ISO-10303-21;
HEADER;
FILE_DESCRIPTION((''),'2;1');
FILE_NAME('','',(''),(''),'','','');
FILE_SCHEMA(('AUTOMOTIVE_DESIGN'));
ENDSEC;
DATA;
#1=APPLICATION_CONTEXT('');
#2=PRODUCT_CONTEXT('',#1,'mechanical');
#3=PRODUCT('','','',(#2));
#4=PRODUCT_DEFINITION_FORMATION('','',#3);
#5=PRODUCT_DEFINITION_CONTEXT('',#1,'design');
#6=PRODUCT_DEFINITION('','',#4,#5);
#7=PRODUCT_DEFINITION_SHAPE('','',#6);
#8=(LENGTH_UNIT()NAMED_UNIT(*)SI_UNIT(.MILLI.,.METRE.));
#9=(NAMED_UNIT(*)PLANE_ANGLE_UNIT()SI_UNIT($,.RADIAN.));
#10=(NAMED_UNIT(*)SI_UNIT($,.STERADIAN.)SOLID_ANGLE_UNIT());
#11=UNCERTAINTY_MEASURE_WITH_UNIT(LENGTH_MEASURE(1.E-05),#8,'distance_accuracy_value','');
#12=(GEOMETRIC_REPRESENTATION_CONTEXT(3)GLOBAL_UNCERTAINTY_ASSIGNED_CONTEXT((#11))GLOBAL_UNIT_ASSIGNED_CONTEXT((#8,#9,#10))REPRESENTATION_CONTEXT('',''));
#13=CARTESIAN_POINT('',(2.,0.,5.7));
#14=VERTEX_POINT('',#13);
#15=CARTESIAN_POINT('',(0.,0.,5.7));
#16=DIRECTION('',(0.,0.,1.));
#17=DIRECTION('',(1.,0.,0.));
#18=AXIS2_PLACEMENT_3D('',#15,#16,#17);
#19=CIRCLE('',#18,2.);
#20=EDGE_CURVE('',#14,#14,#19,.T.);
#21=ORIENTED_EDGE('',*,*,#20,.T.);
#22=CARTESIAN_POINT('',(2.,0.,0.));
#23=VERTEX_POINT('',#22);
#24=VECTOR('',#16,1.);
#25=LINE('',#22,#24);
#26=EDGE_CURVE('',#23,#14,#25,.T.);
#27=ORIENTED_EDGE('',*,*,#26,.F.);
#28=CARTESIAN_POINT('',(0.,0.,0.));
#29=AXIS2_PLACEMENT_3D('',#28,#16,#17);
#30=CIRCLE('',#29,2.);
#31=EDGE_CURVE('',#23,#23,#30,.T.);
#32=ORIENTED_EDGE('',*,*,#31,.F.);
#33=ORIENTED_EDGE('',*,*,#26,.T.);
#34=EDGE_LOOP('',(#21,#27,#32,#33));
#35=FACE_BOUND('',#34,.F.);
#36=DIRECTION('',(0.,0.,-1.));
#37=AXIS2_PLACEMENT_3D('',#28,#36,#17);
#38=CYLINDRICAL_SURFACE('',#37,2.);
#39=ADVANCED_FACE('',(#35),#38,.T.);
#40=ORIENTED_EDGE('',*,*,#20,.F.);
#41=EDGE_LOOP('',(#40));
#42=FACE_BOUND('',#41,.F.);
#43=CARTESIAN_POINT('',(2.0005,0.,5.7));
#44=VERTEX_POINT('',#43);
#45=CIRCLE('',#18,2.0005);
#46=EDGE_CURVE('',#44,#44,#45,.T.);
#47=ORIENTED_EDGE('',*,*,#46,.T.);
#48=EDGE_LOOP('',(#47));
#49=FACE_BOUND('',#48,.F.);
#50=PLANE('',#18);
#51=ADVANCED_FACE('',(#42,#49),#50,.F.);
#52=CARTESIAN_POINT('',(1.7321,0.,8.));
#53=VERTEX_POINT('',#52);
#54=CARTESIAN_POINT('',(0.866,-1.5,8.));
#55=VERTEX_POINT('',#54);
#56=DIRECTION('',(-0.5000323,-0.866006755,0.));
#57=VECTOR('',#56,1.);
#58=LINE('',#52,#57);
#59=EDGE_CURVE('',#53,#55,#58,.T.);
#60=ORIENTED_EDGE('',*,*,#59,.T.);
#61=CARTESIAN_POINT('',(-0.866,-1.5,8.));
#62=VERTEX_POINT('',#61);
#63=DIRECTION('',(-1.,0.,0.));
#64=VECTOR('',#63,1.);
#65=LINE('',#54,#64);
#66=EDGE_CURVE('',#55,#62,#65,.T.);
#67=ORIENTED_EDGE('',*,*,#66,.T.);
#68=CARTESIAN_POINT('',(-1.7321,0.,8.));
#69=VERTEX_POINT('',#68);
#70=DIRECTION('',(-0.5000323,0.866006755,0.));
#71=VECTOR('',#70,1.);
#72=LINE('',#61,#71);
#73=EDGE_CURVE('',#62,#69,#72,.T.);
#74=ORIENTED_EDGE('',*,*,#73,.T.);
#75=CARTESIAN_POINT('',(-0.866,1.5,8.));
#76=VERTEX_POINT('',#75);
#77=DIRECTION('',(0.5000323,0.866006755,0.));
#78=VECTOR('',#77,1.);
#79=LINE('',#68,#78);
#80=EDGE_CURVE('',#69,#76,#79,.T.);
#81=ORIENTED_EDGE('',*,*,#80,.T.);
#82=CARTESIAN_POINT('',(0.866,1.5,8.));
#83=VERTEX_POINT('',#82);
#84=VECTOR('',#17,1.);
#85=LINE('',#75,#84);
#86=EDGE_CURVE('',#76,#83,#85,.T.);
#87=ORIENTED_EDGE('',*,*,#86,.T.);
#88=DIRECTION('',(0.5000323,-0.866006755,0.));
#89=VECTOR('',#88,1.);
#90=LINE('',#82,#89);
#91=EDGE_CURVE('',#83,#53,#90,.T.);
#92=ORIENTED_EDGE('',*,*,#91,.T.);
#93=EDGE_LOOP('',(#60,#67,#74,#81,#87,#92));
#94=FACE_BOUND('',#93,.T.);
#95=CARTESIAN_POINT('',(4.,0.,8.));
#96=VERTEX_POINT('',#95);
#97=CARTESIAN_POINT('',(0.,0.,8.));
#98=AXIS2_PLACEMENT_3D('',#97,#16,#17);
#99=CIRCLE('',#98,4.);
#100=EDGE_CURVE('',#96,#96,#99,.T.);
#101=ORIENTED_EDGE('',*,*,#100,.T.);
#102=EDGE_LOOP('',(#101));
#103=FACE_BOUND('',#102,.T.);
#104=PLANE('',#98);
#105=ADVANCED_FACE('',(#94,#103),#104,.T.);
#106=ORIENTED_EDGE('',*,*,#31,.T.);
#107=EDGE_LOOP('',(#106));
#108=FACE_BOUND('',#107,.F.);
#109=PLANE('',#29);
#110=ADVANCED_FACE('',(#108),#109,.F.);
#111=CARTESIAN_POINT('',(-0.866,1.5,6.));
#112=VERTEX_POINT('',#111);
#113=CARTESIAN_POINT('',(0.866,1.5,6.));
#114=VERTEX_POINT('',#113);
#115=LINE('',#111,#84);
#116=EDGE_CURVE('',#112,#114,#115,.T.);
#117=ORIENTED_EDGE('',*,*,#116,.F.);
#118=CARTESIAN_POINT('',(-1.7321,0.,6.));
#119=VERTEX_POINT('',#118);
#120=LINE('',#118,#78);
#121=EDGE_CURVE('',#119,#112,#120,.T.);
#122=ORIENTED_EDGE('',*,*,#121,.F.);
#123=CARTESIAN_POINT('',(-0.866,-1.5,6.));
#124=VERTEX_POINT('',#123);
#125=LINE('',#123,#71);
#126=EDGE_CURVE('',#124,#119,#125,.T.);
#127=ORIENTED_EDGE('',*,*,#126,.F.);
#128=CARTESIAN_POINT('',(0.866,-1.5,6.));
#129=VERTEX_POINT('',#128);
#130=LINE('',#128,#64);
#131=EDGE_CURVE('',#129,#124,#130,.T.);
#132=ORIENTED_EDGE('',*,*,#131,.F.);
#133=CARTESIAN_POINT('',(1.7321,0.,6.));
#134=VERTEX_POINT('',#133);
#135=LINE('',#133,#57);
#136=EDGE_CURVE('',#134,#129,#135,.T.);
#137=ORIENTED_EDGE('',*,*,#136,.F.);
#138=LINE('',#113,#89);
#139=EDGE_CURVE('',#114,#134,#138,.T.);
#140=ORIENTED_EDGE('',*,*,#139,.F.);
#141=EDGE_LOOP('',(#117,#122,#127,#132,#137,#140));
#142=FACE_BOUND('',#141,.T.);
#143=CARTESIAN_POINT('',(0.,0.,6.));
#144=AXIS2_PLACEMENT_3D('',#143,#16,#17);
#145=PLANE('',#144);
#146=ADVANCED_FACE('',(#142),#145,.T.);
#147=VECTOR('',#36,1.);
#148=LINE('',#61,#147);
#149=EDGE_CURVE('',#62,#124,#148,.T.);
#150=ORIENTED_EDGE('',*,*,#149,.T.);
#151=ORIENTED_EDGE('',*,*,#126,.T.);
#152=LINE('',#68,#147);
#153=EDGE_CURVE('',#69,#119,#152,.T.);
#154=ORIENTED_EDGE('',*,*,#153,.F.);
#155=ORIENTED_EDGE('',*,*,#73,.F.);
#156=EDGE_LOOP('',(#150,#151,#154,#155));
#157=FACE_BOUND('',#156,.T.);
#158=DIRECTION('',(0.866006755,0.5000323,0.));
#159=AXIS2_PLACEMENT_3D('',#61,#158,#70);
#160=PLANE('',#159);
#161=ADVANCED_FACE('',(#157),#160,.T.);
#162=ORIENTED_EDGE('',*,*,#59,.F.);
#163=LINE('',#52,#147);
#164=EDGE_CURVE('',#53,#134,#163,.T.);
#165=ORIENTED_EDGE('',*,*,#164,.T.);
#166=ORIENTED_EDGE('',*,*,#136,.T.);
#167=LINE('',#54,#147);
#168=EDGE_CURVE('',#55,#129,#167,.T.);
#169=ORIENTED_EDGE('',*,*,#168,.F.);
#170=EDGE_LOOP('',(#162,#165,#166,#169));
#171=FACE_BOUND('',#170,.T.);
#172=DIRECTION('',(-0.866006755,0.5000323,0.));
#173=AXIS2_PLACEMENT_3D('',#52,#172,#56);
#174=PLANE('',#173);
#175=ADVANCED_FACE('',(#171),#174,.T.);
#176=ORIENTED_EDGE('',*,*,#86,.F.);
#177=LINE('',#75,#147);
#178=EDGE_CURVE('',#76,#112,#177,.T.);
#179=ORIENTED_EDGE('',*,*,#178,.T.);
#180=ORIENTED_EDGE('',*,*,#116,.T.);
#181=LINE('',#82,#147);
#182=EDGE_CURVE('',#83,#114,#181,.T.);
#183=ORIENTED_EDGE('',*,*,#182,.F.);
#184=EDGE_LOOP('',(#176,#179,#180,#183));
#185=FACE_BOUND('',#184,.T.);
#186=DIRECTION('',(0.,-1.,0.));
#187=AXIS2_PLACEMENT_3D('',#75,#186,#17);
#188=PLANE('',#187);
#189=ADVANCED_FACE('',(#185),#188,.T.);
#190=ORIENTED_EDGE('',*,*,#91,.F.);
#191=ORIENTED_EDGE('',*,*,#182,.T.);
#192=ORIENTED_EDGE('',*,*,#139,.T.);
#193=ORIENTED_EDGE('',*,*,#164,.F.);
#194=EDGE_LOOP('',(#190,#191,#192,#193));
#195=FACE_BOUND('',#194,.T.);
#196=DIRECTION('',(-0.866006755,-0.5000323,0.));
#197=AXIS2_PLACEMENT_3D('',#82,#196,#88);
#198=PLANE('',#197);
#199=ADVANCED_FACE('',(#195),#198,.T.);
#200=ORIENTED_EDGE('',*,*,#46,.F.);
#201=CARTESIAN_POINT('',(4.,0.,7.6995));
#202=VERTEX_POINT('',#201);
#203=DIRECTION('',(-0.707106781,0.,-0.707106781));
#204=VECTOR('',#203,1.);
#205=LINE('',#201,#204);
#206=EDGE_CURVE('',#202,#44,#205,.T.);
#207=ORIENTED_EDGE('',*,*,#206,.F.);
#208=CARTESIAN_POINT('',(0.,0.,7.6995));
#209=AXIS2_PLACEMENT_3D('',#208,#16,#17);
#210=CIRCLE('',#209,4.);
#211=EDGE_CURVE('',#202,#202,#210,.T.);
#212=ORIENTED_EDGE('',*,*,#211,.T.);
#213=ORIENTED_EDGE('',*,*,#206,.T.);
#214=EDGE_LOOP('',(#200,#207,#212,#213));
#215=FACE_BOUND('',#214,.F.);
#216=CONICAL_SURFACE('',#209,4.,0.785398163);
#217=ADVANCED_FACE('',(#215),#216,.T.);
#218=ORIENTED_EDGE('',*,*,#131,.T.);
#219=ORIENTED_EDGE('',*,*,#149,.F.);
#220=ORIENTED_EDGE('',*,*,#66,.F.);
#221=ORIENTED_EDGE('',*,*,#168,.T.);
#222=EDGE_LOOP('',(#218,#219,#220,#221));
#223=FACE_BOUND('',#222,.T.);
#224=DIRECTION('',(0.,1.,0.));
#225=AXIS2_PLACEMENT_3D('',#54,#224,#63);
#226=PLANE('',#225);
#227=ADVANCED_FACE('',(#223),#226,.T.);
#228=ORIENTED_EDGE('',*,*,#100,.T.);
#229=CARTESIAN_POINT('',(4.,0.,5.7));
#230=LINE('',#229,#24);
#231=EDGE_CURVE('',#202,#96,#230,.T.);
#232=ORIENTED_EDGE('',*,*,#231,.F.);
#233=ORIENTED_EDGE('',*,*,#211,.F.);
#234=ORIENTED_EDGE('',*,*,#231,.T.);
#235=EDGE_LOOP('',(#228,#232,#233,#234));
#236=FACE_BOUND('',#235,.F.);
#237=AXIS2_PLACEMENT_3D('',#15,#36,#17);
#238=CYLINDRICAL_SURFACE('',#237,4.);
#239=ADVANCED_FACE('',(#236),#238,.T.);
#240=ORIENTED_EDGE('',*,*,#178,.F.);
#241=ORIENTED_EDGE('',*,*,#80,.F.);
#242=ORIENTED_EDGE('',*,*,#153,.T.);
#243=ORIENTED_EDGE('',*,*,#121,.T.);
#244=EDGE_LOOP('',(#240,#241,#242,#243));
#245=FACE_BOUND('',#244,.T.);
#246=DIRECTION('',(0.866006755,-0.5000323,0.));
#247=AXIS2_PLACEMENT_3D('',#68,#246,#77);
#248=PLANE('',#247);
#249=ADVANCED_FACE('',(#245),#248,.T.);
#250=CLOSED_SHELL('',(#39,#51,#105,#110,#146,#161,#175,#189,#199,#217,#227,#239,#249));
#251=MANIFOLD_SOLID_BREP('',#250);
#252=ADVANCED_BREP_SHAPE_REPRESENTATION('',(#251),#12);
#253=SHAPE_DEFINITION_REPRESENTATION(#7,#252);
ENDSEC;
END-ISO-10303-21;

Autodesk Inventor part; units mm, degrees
ref_plane "YZ Plane" through (0, 0, 0) normal (1, 0, 0) x (0, 1, 0)
ref_plane "XZ Plane" through (0, 0, 0) normal (0, 1, 0) x (-1, 0, 0)
ref_plane "XY Plane" through (0, 0, 0) normal (0, 0, 1) x (1, 0, 0)
sketch "スケッチ1" plane through (0, 0, 0) normal (0, 0, 1) x (1, 0, 0)
  circle A0 centre (0, 0) radius 2
  dimension "d0" = 4
extrude "押し出し1" add sketch "スケッチ1" along normal blind 5.7
sketch "スケッチ2" plane through (0, 0, 5.7) normal (0, 0, 1) x (1, 0, 0)
  circle A0 centre (0, 0) radius 4
  dimension "d3" = 8
extrude "押し出し2" add sketch "スケッチ2" along normal blind 2.3
chamfer "面取り1" distance 2 angle 45 1 edges at (-4, 0, 5.7)
sketch "スケッチ3" plane through (0, 0, 8) normal (0, 0, 1) x (1, 0, 0)
  line L0 (1.7321, 0) -> (0.866, -1.5)
  line L1 (0.866, -1.5) -> (-0.866, -1.5)
  line L2 (-0.866, -1.5) -> (-1.7321, 0)
  line L3 (-1.7321, 0) -> (-0.866, 1.5)
  line L4 (-0.866, 1.5) -> (0.866, 1.5)
  line L5 (0.866, 1.5) -> (1.7321, 0)
  point P0 (0, 0)
  point P1 (0, 0)
  dimension "d9" = 3
extrude "押し出し3" cut sketch "スケッチ3" against normal blind 2
thread "ねじ1" size "M4x0.7" class "6g" standard "ANSI Metric M Profile" full length
properties part number "M4皿ネジ　8" material "鉄 灰色"
